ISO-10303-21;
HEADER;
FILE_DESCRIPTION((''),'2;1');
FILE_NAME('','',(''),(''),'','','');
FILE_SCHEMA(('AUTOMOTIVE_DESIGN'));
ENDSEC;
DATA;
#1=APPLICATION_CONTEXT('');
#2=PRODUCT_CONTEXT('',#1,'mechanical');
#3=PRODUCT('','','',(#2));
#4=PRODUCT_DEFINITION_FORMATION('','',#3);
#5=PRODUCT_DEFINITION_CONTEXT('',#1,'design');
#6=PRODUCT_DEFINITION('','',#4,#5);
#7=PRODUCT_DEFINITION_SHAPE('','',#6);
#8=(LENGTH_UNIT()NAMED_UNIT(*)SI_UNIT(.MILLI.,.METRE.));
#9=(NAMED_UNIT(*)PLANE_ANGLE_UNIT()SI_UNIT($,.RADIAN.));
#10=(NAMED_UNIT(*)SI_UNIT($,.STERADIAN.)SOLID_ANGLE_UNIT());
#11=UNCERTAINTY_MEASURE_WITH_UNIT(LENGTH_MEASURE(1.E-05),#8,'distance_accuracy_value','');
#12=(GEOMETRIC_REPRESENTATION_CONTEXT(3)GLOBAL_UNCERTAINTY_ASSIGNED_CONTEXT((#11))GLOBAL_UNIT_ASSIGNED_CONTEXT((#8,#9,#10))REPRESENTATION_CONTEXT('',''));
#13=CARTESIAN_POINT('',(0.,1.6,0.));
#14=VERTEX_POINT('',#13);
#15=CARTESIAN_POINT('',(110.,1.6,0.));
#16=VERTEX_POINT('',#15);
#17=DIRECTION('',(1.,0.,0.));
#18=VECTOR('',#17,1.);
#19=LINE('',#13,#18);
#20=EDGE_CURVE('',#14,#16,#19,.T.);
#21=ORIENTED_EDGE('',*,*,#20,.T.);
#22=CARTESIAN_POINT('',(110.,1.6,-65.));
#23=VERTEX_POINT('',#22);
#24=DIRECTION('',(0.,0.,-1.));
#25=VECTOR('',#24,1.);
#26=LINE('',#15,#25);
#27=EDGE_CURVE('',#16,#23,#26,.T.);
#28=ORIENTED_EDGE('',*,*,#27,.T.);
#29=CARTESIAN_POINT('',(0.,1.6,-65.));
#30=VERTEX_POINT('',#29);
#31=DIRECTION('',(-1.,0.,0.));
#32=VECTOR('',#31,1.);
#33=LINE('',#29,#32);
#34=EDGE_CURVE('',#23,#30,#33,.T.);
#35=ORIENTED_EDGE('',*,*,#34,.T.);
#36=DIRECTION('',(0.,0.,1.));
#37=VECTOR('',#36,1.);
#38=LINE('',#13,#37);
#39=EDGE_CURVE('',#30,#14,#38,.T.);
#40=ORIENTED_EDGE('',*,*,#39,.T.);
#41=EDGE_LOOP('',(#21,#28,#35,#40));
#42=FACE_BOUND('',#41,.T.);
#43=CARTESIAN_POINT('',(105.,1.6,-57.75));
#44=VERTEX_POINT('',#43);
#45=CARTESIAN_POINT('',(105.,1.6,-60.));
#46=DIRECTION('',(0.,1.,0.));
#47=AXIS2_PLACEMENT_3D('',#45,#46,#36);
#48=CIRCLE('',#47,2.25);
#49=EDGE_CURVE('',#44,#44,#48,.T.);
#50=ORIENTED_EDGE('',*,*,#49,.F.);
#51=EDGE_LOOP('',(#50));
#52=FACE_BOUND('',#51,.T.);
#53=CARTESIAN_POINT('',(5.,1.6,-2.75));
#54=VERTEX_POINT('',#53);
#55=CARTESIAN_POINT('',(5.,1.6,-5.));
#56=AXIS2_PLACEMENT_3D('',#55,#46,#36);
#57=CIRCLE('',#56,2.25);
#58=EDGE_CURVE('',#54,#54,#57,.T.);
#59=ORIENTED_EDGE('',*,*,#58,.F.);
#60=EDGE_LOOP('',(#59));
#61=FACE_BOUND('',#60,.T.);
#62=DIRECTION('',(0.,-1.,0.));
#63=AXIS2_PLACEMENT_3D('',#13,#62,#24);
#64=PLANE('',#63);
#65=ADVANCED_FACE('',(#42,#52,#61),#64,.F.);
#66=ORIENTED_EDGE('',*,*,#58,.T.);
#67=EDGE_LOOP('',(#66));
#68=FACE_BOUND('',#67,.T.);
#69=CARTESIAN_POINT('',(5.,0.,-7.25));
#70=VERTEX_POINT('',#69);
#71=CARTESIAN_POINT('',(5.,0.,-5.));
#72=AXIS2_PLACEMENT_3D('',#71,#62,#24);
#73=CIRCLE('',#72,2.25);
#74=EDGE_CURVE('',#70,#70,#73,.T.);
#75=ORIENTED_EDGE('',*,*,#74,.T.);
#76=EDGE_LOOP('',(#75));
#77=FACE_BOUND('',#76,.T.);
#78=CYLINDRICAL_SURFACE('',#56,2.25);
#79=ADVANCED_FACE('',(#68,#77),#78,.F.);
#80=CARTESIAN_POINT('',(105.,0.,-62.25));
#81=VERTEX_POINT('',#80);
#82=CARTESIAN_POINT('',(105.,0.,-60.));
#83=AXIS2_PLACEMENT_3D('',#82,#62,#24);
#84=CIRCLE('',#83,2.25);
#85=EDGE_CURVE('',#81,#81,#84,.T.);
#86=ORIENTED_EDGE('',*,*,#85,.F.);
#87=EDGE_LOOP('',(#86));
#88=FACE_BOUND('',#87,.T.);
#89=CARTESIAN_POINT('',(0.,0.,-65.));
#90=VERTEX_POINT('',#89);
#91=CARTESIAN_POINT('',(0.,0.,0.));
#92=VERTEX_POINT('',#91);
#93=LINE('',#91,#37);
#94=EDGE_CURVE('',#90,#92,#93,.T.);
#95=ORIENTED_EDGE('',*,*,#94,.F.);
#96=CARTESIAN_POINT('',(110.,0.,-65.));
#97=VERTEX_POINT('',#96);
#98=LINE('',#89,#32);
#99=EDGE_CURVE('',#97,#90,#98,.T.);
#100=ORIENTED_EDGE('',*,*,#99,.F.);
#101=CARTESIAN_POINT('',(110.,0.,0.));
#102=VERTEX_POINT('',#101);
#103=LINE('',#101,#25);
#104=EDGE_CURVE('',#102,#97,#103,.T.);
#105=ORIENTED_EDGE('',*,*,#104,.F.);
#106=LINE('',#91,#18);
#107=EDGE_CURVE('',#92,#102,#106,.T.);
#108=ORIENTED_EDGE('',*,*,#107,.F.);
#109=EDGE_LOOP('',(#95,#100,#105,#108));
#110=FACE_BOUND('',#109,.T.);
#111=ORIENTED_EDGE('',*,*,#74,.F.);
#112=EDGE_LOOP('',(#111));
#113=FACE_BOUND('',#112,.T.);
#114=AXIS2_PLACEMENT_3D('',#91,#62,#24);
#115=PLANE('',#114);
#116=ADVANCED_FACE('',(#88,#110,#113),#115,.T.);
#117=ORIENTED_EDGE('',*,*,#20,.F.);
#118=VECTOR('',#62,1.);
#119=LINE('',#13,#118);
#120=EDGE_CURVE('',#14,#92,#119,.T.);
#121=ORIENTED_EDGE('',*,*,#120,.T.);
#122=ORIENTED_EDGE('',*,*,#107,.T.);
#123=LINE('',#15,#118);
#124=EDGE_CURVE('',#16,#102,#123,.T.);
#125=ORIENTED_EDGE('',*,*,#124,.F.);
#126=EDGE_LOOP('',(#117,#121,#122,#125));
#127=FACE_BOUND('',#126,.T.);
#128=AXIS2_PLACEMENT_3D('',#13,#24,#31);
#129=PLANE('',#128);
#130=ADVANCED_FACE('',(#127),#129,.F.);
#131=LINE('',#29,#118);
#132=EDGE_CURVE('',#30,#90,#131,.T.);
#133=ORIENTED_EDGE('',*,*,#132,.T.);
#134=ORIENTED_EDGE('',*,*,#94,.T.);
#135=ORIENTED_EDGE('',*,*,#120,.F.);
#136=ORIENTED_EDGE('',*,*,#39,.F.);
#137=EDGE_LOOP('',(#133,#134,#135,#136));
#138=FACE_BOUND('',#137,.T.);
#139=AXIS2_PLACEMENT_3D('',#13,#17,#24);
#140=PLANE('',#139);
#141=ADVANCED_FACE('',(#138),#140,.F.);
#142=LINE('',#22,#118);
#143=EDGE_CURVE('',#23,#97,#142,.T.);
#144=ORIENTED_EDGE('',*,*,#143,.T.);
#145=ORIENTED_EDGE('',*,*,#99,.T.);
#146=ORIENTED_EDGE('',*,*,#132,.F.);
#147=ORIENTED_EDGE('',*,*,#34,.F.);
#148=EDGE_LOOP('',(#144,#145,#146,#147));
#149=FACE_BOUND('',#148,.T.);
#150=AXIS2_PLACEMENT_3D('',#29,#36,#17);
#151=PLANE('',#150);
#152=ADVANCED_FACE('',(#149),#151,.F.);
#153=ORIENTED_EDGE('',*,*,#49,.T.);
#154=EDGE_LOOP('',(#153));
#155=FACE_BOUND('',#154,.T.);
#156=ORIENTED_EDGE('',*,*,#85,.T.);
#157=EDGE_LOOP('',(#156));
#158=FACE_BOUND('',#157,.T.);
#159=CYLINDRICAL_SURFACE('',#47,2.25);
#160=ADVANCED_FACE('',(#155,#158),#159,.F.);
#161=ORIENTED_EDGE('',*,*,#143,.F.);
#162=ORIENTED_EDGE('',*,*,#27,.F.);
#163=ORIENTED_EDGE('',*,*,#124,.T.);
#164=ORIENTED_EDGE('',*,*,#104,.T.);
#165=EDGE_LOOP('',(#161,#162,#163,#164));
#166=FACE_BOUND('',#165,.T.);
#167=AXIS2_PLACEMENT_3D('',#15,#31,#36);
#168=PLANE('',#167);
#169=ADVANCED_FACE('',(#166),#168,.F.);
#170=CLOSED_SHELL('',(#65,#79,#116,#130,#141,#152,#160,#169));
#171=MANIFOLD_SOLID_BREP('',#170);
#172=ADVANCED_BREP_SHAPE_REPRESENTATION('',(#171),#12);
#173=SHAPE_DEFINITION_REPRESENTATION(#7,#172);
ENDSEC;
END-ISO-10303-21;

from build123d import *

# Parameters (mm, degrees)
SKETCH1_W                = 110
SKETCH1_H                = 65
BOSS_EXTRUDE1_DEPTH      = 1.6
M4_CLEARANCE_HOLE1_D     = 4.5
M4_CLEARANCE_HOLE1_DEPTH = 10.1
M4_CLEARANCE_HOLE1_TIP   = 1.351936393


with BuildPart() as part:
    # Sketch1 → Boss-Extrude1 (new body)
    with BuildSketch(Plane(origin=(0, 0, 0), x_dir=(1, 0, 0), z_dir=(0, 1, 0))):
        with Locations((55, 32.5)):
            Rectangle(SKETCH1_W, SKETCH1_H)
    extrude(amount=BOSS_EXTRUDE1_DEPTH)

    # M4 Clearance Hole1
    with Locations(Plane(origin=(0, 1.6, 0), x_dir=(1, 0, 0), z_dir=(0, 1, 0))):
        with Locations((5, 5), (105, 60)):
            Hole(M4_CLEARANCE_HOLE1_D / 2, depth=M4_CLEARANCE_HOLE1_DEPTH)
            with Locations((0, 0, -(M4_CLEARANCE_HOLE1_DEPTH + M4_CLEARANCE_HOLE1_TIP / 2))):  # 118° drill point
                Cone(0, M4_CLEARANCE_HOLE1_D / 2, M4_CLEARANCE_HOLE1_TIP, mode=Mode.SUBTRACT)


solid = part.part
